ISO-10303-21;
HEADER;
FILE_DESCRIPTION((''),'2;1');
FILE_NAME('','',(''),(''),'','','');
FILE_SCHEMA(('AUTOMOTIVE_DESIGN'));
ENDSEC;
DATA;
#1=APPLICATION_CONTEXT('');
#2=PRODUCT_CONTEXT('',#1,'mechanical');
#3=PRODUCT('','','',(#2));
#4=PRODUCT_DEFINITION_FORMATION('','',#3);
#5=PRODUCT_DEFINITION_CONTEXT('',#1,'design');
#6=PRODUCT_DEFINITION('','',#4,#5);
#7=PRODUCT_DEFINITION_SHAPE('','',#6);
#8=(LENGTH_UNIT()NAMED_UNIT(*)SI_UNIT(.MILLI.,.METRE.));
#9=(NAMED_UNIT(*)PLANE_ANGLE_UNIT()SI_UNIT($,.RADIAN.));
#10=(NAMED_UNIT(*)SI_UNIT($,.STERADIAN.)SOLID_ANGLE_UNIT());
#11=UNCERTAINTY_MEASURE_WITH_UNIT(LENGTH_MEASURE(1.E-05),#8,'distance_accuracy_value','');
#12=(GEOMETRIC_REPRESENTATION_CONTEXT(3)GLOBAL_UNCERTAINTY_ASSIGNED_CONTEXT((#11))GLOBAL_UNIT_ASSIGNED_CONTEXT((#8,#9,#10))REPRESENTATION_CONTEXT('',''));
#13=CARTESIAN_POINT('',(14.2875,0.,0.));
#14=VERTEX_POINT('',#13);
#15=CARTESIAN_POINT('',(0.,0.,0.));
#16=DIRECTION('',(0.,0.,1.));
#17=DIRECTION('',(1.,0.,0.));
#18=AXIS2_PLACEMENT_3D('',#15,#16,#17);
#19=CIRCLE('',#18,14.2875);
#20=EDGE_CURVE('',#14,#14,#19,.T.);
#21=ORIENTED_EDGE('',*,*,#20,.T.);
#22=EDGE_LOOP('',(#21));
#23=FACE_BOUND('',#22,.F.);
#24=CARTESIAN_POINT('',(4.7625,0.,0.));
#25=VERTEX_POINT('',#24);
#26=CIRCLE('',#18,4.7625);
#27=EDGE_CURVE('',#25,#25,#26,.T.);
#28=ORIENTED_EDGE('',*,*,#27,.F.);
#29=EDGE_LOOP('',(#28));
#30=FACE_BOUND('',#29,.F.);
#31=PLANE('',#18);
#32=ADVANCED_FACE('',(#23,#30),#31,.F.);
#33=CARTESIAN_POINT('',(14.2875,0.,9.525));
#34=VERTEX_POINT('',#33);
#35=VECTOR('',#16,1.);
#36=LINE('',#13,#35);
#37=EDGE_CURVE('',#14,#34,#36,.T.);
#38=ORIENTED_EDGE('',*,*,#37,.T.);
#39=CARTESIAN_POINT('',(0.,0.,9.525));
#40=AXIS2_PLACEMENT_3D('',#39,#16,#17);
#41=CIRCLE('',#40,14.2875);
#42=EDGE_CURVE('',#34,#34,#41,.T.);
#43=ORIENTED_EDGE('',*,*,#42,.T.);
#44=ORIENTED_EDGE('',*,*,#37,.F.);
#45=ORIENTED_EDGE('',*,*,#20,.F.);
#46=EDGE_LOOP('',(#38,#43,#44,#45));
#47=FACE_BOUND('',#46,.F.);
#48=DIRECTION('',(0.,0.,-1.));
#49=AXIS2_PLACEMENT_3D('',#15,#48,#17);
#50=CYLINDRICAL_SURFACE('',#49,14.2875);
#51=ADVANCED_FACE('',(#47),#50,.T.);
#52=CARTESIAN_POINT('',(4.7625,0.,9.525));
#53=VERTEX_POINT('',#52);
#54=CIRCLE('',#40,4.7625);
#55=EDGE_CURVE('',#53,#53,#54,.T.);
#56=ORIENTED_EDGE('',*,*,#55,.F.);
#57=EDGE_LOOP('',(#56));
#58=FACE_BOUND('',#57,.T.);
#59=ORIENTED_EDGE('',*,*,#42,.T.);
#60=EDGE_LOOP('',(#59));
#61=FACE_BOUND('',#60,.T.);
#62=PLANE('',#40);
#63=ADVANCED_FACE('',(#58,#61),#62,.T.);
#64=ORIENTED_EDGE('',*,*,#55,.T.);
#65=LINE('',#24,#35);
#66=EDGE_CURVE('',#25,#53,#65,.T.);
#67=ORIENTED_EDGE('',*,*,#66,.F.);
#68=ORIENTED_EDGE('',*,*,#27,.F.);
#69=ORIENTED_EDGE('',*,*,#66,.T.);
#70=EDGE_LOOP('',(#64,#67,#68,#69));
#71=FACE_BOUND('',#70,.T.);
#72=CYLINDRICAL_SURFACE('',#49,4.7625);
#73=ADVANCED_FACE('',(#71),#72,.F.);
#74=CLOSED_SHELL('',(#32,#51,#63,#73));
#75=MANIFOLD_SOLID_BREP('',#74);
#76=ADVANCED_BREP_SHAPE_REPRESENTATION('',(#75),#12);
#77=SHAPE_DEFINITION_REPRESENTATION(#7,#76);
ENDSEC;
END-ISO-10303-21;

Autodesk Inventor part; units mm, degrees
ref_plane "YZ Plane" through (0, 0, 0) normal (1, 0, 0) x (0, 1, 0)
ref_plane "XZ Plane" through (0, 0, 0) normal (0, 1, 0) x (-1, 0, 0)
ref_plane "XY Plane" through (0, 0, 0) normal (0, 0, 1) x (1, 0, 0)
sketch "Sketch1" plane through (0, 0, 0) normal (0, 0, 1) x (1, 0, 0)
  circle A0 centre (0, 0) radius 4.7625
  circle A1 centre (0, 0) radius 14.2875
  dimension "d0" = 28.575
  dimension "d1" = 9.525
extrude "Extrusion1" add sketch "Sketch1" along normal blind 9.525
properties part number "Bearing" material "Nickel-Copper Alloy 400"
